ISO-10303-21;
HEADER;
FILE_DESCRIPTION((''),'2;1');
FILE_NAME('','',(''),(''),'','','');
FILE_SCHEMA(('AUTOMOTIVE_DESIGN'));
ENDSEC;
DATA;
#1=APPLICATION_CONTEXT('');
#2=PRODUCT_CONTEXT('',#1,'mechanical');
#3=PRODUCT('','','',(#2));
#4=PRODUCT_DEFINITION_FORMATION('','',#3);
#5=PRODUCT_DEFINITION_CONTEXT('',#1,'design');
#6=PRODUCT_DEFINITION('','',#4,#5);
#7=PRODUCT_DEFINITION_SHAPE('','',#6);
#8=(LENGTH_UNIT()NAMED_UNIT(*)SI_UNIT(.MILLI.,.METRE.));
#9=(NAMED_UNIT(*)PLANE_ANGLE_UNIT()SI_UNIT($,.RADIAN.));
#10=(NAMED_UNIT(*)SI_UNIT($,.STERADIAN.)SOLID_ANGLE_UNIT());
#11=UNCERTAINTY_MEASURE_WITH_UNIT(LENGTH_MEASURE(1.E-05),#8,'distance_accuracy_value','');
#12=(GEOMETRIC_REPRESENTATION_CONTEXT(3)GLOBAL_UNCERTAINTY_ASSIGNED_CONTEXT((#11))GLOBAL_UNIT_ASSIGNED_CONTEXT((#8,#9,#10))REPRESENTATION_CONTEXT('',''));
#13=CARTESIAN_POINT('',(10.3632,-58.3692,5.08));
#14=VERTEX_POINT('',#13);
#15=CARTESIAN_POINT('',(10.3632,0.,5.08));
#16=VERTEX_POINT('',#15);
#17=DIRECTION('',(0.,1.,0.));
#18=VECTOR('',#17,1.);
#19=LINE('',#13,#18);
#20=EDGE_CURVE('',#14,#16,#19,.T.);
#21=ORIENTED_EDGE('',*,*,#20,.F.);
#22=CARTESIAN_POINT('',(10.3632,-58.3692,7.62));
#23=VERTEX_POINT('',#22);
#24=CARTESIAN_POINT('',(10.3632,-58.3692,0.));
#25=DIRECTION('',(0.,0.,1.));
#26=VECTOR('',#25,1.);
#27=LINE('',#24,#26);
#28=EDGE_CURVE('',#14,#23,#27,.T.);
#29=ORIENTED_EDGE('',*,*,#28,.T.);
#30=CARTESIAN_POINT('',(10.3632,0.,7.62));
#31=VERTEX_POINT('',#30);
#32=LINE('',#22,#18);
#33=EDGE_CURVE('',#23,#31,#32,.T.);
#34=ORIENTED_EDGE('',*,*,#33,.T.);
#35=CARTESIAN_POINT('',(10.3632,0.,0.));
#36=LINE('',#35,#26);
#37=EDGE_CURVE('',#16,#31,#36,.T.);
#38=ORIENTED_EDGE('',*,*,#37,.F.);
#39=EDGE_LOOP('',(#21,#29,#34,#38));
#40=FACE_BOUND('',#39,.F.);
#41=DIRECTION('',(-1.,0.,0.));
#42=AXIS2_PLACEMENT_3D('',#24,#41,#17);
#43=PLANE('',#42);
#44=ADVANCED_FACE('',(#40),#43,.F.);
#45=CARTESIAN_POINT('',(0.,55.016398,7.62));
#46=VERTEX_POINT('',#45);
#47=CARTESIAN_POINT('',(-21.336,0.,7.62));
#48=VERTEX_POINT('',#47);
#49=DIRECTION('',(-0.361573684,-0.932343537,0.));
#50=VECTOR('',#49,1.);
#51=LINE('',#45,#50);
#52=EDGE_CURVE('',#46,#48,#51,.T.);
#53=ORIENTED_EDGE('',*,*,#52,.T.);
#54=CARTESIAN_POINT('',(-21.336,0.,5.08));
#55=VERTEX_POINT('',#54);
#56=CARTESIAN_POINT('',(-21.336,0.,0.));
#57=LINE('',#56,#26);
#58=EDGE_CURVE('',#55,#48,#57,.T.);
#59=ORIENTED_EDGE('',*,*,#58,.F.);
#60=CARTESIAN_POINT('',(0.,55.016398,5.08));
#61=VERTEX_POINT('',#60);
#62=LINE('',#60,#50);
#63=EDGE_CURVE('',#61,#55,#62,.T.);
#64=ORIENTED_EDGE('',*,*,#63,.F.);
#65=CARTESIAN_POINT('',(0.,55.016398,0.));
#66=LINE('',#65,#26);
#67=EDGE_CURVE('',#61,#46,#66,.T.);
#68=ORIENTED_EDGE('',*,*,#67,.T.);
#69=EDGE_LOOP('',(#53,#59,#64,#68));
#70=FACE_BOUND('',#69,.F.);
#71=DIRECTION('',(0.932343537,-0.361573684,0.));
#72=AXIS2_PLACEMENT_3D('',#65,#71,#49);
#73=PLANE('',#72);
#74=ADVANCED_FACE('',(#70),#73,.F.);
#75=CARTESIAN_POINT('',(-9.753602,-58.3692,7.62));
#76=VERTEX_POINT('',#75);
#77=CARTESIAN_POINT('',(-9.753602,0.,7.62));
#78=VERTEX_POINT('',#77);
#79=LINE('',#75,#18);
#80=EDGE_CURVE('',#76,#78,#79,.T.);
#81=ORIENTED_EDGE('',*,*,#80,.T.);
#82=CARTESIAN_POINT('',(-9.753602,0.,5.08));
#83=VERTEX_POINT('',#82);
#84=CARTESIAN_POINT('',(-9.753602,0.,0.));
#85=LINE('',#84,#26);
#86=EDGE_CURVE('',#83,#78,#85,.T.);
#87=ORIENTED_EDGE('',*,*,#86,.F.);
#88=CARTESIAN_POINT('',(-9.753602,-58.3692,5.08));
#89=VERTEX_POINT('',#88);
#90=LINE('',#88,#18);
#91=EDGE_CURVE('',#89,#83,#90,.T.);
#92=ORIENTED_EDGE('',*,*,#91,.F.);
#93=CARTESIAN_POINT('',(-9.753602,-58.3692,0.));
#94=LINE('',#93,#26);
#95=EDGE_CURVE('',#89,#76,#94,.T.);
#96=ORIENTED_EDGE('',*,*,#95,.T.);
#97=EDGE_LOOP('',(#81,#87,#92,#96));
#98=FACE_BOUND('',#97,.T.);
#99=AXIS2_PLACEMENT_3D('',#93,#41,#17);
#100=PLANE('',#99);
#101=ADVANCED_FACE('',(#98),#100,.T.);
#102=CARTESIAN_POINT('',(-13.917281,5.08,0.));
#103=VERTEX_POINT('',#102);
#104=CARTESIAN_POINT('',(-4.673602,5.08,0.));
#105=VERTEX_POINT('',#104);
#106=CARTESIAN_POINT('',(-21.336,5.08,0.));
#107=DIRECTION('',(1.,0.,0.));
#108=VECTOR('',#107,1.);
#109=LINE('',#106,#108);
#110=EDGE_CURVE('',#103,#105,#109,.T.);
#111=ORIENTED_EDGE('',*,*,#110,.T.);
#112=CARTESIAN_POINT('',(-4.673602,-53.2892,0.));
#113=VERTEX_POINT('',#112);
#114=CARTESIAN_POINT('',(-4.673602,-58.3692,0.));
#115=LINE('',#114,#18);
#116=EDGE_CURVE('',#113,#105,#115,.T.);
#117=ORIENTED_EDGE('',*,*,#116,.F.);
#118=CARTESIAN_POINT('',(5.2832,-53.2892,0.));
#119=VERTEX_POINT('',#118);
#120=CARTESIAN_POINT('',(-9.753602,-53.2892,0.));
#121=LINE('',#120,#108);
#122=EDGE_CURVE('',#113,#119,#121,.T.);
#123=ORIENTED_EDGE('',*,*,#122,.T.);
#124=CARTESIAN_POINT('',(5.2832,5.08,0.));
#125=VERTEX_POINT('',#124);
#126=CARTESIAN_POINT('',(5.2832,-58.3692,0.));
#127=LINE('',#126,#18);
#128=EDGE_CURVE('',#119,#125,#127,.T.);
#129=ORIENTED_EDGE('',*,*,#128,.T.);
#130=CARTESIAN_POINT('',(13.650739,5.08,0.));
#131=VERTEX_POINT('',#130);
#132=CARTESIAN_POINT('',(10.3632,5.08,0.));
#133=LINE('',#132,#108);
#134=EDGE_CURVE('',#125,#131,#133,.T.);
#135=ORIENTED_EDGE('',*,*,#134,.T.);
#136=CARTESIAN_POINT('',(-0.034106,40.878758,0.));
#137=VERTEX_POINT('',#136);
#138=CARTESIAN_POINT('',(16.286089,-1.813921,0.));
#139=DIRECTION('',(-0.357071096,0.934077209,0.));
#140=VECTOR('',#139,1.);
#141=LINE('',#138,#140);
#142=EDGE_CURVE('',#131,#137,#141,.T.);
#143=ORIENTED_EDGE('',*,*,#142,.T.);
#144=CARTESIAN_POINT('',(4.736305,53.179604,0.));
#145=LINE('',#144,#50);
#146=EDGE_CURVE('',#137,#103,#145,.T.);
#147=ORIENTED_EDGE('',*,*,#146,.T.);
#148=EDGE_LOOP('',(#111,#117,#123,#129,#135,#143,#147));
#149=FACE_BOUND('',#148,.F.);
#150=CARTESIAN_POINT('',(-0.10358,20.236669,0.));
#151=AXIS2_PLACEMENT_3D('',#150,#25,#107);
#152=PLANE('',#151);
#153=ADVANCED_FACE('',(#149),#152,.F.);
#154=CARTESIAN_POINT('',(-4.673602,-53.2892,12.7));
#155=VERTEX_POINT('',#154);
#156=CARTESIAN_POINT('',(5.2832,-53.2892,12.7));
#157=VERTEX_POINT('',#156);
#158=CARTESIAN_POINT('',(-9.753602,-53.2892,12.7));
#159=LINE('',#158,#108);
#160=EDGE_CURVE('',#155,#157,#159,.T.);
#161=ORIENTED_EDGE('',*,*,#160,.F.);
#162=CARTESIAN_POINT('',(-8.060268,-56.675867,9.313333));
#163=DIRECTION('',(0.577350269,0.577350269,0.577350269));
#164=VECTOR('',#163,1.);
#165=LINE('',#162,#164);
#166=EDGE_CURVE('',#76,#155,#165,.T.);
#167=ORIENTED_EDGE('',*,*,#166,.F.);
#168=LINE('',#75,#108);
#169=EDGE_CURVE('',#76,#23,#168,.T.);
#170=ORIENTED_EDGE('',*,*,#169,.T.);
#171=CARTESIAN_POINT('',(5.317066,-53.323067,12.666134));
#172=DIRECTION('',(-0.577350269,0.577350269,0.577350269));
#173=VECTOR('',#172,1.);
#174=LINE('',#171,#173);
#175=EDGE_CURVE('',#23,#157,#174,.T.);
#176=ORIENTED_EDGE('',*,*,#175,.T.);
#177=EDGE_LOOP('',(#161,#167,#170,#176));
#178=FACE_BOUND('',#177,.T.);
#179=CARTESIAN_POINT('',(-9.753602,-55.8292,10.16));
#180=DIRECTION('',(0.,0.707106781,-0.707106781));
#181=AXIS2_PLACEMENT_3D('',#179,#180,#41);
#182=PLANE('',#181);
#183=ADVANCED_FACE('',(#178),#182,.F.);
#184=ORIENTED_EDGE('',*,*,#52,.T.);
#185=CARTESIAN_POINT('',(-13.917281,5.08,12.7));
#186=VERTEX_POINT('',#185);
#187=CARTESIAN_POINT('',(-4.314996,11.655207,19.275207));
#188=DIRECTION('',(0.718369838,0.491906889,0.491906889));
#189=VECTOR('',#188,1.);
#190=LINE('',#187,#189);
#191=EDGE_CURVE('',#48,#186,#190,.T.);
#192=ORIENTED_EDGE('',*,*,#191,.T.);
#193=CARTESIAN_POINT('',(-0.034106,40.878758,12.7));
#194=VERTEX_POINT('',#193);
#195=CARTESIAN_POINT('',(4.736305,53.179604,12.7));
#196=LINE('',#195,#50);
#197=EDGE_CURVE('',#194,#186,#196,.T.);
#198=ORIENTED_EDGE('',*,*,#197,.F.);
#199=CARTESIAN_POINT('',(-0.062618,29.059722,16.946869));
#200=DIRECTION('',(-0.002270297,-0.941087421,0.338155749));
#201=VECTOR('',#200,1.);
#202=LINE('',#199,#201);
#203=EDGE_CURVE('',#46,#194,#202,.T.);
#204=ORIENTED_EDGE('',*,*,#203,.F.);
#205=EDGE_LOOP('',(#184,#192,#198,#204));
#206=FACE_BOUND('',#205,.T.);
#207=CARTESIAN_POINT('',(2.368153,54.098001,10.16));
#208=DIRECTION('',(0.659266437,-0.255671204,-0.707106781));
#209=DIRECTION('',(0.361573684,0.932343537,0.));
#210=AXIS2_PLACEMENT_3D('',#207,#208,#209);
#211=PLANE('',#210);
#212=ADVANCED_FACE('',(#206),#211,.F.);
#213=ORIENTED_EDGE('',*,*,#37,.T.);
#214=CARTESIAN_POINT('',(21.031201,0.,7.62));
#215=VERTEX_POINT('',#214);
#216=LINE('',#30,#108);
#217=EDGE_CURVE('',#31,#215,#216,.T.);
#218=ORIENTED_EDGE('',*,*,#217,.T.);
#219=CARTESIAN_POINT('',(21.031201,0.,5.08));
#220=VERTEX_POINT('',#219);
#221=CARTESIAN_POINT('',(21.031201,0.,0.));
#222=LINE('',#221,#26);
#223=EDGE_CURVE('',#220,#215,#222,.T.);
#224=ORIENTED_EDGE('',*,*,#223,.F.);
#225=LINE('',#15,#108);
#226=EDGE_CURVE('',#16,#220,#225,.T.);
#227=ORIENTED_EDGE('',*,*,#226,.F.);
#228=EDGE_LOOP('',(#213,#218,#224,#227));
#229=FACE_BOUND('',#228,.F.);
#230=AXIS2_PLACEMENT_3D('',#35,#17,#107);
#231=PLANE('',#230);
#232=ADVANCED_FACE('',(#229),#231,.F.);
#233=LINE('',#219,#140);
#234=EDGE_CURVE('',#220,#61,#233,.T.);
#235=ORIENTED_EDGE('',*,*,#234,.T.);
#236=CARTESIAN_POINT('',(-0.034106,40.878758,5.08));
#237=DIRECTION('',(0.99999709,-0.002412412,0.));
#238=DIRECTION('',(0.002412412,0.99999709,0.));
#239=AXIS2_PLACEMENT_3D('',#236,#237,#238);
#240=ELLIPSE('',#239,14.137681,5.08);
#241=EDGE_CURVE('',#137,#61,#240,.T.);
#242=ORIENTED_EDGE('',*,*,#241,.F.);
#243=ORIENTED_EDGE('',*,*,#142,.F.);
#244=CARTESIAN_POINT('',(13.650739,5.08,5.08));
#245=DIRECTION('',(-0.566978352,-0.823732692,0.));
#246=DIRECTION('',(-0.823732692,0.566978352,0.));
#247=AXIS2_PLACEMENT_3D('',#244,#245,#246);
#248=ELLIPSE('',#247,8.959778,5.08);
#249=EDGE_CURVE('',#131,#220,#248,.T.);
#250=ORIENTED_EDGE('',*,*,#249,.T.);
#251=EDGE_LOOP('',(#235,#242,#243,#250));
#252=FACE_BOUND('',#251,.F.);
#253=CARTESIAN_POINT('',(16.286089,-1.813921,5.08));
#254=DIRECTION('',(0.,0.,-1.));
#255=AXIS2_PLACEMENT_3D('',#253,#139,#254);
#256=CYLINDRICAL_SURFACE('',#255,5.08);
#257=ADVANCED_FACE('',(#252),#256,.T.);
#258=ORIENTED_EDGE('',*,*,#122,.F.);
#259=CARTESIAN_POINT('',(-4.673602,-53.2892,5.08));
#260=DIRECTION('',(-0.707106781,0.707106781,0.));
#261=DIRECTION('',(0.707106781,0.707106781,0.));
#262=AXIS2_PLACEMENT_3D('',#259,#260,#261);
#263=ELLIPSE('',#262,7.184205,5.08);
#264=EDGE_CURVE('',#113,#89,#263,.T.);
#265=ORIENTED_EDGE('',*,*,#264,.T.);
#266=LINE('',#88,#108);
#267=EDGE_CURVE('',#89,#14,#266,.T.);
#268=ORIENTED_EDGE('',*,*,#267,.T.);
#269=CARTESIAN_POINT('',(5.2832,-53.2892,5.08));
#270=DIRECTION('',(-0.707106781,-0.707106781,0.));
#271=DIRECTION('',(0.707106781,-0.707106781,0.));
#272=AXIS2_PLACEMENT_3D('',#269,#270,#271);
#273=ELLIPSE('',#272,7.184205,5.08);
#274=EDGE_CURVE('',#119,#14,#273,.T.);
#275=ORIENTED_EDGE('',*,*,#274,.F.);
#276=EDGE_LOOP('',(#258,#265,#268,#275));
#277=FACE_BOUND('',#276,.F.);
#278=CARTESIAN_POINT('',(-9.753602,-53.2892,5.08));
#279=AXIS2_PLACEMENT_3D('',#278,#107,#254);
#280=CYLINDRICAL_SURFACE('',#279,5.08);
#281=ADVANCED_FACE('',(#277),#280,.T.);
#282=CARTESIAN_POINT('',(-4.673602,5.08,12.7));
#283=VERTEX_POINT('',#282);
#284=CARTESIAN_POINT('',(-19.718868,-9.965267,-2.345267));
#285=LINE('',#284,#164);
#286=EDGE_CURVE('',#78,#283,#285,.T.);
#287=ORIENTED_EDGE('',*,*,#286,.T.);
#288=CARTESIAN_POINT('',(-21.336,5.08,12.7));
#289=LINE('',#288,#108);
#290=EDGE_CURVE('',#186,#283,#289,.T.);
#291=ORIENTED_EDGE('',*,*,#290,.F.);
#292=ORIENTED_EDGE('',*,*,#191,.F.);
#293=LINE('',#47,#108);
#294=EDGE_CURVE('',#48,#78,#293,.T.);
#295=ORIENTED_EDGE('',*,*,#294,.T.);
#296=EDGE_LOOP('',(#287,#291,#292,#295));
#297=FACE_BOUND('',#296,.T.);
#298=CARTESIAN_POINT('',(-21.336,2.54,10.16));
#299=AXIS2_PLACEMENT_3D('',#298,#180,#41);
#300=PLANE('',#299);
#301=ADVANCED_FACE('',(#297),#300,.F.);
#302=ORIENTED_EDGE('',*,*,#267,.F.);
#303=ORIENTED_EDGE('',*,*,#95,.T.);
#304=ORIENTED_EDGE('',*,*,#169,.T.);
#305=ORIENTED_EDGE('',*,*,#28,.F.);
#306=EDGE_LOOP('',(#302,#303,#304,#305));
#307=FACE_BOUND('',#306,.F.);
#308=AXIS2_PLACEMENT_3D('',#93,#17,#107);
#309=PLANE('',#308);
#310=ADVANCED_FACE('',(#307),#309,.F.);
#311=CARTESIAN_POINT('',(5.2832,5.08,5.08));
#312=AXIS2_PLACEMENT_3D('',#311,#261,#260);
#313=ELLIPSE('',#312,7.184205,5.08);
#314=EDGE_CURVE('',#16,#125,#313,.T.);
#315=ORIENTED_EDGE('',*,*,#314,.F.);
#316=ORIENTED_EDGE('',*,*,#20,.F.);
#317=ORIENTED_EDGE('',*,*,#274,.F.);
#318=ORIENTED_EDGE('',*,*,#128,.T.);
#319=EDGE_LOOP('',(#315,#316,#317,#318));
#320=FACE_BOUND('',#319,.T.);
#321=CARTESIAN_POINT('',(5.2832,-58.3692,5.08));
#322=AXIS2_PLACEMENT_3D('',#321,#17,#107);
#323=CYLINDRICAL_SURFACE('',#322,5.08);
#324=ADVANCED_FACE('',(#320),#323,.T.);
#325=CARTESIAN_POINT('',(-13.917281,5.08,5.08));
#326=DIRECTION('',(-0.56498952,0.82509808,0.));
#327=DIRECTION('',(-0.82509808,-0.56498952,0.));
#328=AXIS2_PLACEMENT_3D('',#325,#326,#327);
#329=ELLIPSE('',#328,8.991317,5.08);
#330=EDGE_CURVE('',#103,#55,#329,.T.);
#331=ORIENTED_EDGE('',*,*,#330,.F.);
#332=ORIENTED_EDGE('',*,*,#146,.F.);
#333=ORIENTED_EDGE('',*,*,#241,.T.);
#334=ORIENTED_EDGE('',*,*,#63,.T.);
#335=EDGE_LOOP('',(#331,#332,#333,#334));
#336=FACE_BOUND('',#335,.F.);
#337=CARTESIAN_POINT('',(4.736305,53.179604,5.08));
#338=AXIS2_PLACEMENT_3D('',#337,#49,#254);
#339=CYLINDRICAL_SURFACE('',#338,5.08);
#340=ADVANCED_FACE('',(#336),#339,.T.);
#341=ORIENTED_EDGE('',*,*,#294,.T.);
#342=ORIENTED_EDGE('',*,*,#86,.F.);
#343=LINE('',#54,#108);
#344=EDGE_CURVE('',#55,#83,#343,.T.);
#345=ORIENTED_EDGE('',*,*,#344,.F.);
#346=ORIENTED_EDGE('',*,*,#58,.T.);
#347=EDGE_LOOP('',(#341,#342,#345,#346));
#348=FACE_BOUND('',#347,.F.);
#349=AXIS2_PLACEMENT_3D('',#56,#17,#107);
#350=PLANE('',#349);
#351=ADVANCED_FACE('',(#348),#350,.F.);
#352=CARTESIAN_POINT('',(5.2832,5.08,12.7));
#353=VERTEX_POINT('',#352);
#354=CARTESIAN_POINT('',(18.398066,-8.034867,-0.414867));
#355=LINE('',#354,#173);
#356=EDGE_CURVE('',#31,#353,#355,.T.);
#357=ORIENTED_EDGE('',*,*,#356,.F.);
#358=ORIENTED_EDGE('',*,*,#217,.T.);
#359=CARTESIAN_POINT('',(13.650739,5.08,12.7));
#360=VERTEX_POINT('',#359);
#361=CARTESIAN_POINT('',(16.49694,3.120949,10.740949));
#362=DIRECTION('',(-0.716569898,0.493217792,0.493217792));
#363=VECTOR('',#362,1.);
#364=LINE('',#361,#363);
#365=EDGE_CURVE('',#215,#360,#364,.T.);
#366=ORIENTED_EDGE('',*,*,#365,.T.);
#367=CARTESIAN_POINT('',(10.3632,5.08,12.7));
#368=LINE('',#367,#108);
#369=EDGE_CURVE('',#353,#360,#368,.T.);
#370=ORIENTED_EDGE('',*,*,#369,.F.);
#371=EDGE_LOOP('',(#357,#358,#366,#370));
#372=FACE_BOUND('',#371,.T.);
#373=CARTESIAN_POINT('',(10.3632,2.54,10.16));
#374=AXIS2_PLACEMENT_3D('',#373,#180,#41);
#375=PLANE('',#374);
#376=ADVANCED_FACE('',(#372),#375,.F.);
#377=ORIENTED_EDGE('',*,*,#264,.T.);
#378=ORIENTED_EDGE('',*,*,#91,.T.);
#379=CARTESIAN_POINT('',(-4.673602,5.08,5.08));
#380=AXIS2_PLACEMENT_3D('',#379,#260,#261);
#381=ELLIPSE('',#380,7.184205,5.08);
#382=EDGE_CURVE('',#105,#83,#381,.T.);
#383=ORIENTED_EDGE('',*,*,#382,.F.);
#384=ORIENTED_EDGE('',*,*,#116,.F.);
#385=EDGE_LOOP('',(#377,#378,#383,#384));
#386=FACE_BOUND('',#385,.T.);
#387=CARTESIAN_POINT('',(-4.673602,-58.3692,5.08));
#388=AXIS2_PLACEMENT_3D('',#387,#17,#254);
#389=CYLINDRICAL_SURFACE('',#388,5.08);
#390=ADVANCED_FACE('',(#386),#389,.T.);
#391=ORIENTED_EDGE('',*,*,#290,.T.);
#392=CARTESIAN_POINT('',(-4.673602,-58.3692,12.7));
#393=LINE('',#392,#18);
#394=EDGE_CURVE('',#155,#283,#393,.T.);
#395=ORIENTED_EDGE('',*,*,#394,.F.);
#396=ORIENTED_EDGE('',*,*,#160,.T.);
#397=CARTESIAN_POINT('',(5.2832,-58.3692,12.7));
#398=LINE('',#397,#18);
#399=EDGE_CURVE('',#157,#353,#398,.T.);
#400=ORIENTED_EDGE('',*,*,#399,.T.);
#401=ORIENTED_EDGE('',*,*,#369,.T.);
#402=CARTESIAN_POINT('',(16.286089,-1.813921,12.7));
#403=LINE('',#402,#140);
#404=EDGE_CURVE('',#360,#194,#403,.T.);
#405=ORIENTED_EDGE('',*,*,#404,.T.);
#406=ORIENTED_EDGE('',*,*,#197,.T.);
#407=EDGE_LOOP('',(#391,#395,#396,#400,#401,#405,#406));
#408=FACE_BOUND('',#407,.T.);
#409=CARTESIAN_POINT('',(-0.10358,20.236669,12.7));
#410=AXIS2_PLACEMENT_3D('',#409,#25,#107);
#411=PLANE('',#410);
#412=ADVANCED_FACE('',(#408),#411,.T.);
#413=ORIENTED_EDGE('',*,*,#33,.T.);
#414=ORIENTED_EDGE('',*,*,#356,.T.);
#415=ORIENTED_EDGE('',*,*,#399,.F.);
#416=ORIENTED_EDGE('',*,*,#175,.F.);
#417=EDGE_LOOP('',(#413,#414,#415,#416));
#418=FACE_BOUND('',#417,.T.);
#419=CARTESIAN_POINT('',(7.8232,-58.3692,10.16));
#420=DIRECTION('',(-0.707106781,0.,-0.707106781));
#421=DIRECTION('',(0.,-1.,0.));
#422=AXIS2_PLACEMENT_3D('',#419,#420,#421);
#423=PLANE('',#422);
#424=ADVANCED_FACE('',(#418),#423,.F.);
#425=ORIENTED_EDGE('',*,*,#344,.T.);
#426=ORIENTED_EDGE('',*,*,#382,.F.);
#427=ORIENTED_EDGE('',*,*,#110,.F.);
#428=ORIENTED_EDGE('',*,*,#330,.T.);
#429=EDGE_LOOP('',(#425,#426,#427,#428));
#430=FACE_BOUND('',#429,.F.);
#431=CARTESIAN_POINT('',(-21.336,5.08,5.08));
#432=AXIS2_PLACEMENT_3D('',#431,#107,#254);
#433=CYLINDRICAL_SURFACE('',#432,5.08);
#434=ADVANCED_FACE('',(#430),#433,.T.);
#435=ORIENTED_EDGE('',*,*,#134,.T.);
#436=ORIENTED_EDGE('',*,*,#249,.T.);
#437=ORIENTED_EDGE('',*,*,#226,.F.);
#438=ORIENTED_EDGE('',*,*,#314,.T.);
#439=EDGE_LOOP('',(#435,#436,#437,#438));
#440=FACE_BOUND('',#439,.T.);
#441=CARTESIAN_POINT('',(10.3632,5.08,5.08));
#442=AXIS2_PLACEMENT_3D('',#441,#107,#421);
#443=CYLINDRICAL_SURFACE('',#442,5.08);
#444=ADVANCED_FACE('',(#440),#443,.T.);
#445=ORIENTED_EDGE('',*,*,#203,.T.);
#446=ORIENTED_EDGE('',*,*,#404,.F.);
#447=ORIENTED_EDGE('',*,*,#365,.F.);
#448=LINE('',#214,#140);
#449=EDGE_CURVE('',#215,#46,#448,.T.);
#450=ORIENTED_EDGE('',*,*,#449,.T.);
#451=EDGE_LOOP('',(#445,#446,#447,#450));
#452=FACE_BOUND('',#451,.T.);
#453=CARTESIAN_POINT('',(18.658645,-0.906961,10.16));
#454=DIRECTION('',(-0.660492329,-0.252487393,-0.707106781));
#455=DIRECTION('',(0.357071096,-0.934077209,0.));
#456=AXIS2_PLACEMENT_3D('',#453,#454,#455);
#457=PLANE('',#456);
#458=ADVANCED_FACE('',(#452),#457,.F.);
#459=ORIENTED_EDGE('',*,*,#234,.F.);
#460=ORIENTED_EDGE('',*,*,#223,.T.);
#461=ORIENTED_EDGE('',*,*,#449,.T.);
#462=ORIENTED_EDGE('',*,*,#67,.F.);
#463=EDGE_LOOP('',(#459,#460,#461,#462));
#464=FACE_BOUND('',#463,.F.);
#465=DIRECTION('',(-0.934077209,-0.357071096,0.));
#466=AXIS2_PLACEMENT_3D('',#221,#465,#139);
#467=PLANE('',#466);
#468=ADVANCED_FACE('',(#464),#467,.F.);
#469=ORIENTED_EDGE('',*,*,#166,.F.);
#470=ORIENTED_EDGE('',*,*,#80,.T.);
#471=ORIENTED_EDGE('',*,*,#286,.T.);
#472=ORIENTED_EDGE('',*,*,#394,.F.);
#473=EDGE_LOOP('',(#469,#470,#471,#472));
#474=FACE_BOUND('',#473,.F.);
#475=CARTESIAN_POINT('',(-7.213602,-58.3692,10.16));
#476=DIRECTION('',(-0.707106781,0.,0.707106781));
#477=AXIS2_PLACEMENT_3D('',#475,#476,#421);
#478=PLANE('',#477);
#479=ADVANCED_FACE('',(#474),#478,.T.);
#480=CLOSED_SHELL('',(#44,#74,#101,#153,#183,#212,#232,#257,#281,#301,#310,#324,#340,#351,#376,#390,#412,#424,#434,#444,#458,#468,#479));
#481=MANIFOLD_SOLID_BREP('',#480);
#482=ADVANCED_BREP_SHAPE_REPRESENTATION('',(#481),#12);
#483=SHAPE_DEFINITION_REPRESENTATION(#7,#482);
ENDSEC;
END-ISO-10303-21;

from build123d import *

# Parameters (mm, degrees)
F0_W     = 20.116801
F0_H     = 58.369201
F1_DEPTH = 12.7
F2_SIZE  = 5.08
F3_R     = 5.08


with BuildPart() as f1:
    # F0 (on Top) → F1 (new body)
    with BuildSketch(Plane.XY):
        Polygon((21.031201, 0), (0, 55.016398), (-21.336, 0), (-9.753601, 0), (10.3632, 0), align=None)
        with Locations((0.304799, -29.1846)):
            Rectangle(F0_W, F0_H)
    extrude(amount=F1_DEPTH)

    # F2
    f2_edges = [f1.edges().sort_by_distance(p)[0] for p in [
        (10.5156, 27.508199, 12.7),
        (-10.668, 27.508199, 12.7),
        (-15.544801, 0, 12.7),
        (-9.753601, -29.1846, 12.7),
        (0.3048, -58.369201, 12.7),
        (10.3632, -29.1846, 12.7),
        (15.6972, 0, 12.7),
    ]]
    chamfer(f2_edges, length=F2_SIZE)

    # F3
    f3_edges = [f1.edges().sort_by_distance(p)[0] for p in [
        (10.5156, 27.508199, 0),
        (-10.668, 27.508199, 0),
        (-15.544801, 0, 0),
        (-9.753601, -29.1846, 0),
        (0.3048, -58.369201, 0),
        (10.3632, -29.1846, 0),
        (15.6972, 0, 0),
    ]]
    fillet(f3_edges, radius=F3_R)


solid = f1.part
